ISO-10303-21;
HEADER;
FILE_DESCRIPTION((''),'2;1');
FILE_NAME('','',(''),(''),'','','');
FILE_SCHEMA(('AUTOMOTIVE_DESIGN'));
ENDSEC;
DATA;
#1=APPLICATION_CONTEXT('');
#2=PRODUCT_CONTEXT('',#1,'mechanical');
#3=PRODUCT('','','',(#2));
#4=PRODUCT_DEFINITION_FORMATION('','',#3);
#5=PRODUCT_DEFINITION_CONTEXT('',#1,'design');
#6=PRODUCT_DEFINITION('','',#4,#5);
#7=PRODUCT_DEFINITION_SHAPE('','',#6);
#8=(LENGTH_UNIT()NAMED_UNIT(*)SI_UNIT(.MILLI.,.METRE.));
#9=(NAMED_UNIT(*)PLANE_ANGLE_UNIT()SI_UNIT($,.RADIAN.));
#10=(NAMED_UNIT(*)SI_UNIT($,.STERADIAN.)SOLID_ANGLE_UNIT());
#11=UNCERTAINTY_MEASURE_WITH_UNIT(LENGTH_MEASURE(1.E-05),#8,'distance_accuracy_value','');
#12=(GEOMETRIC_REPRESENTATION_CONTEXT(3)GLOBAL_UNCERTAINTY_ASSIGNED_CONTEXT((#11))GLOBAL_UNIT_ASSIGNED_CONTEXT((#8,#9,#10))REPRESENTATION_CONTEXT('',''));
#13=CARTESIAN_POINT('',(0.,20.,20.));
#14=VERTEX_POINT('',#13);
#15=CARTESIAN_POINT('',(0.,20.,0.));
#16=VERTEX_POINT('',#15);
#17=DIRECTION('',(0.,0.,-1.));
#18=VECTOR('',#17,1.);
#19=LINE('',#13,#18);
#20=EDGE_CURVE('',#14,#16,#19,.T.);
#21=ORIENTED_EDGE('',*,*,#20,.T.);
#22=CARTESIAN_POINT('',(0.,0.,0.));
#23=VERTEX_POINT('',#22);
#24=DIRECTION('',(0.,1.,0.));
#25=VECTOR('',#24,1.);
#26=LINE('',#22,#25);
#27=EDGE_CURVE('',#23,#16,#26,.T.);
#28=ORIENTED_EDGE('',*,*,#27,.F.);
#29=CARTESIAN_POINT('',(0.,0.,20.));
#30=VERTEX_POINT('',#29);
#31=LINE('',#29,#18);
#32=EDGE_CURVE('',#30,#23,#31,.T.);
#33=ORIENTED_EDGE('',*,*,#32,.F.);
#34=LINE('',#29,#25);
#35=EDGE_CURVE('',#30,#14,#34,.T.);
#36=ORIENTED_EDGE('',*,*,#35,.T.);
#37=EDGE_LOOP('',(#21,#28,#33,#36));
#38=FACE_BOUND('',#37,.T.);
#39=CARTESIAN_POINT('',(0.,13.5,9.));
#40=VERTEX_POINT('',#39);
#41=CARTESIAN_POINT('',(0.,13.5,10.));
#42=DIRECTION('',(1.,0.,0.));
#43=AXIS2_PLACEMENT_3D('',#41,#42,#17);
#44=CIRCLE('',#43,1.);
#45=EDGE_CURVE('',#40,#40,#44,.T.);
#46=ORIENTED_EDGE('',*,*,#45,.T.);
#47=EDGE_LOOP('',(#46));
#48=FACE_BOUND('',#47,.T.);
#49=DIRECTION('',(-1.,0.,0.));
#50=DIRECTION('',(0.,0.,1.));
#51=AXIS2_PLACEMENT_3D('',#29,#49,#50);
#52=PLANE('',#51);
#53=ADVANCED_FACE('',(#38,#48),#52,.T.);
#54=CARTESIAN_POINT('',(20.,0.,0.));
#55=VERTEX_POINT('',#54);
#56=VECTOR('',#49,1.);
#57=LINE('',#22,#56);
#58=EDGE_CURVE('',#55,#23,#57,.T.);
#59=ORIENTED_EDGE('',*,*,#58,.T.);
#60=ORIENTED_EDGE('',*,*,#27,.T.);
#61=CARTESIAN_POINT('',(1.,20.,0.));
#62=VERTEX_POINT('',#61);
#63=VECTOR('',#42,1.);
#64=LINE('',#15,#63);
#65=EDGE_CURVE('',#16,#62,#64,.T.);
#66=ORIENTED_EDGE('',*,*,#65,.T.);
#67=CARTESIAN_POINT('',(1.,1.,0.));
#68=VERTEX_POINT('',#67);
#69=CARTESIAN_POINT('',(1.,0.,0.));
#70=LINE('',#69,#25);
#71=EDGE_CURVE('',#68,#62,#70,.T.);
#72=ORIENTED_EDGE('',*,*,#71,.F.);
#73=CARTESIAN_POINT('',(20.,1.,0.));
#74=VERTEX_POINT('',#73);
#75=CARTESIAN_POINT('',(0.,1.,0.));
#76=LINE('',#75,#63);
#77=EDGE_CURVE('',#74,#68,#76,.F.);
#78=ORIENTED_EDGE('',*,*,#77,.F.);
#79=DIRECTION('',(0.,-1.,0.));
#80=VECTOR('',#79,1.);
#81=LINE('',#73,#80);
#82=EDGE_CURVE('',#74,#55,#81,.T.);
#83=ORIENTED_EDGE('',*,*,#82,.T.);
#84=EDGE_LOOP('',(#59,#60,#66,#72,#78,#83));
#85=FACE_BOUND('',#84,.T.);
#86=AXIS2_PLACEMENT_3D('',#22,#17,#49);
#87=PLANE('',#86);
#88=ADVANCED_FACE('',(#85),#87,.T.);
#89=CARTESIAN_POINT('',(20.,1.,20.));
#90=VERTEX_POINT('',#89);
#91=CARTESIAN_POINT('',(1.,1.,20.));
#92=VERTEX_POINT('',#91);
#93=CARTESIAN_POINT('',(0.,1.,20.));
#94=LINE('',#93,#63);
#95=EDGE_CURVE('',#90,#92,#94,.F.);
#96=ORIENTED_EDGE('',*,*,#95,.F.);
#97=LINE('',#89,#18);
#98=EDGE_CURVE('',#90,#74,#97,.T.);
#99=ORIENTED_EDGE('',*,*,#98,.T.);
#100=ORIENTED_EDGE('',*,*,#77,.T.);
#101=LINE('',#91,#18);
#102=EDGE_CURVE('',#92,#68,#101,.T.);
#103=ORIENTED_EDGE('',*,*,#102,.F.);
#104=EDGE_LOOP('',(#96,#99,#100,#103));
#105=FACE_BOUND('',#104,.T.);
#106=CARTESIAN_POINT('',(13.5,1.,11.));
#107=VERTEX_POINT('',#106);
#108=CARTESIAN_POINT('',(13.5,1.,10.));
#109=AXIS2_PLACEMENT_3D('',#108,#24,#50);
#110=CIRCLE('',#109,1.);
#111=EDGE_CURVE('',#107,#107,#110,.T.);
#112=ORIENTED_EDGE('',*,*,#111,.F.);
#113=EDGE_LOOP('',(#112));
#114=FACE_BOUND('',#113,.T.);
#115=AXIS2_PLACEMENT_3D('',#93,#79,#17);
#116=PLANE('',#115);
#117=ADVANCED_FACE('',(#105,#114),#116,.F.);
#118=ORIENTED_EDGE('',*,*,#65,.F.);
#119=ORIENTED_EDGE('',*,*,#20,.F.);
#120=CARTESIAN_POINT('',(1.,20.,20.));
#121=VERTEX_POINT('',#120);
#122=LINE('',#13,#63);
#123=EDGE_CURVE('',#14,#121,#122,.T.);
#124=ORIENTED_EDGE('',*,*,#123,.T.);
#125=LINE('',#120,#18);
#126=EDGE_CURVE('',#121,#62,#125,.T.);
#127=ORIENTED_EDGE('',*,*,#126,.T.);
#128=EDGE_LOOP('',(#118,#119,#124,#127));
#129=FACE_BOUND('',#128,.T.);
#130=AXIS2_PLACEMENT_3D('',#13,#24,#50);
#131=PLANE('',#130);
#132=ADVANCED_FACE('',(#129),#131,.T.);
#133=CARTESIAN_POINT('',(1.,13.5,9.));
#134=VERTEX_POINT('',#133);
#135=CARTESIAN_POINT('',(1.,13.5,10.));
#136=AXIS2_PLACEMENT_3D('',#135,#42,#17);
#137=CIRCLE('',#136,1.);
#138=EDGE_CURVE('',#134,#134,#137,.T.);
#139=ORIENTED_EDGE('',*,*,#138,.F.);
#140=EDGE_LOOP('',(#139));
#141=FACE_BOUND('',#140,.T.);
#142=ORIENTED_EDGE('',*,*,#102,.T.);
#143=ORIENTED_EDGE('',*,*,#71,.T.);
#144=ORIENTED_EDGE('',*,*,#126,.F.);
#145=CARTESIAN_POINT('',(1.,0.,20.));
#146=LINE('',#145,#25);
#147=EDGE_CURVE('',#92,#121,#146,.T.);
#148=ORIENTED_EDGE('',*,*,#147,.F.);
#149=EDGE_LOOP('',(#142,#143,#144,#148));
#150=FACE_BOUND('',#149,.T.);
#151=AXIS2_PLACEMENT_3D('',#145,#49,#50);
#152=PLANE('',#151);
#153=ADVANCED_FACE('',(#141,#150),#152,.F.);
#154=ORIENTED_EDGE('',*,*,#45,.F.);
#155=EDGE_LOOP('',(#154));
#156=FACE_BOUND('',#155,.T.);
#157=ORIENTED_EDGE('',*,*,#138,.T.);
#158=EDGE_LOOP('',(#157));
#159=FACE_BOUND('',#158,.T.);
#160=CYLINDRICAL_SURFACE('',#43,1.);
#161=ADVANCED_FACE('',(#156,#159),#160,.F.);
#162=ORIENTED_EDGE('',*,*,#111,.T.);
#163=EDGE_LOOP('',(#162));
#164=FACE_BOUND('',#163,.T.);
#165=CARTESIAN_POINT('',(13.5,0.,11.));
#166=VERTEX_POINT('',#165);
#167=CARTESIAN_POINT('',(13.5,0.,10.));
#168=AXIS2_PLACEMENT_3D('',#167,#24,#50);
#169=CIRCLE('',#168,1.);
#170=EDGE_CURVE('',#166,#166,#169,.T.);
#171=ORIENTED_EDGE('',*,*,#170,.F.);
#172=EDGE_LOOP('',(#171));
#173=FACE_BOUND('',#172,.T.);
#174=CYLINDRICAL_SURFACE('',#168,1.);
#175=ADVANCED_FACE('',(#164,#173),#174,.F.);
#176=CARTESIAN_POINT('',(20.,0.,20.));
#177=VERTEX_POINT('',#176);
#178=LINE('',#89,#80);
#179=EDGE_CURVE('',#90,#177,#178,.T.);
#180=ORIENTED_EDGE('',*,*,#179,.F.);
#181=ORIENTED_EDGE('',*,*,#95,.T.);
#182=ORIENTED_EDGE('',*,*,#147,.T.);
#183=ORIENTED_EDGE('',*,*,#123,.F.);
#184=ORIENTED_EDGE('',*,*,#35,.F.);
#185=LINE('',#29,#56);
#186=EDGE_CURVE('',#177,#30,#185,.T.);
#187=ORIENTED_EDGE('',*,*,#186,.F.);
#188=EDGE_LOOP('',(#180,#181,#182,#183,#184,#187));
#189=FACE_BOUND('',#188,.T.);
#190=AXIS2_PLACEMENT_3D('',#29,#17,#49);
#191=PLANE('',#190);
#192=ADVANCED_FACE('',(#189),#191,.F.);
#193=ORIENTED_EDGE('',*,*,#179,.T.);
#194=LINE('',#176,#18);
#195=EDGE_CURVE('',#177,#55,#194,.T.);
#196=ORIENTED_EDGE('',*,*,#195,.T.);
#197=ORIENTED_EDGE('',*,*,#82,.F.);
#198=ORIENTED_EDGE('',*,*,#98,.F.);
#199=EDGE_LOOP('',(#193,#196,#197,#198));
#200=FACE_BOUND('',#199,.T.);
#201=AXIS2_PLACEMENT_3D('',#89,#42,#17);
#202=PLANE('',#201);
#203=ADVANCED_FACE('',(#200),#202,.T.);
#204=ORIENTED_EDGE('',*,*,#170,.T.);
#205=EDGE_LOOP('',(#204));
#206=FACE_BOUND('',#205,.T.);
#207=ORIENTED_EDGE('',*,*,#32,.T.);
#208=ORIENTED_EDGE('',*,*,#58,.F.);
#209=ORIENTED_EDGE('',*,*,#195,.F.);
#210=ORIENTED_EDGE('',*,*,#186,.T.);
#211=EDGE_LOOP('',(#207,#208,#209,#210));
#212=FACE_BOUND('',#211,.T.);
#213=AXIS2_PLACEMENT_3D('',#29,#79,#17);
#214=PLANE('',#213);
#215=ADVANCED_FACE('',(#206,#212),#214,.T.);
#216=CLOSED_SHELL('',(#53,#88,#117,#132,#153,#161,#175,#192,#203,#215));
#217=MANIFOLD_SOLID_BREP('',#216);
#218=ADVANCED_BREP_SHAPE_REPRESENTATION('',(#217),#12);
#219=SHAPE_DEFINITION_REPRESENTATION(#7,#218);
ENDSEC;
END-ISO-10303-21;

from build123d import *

# Parameters (mm, degrees)
EXTRU_MINCE1_DEPTH      = 20
ESQUISSE2_R             = 1
ENL_V_MAT_EXTRU_1_DEPTH = 1
ESQUISSE3_R             = 1
ENL_V_MAT_EXTRU_2_DEPTH = 1


with BuildPart() as part:
    # Esquisse1 → Extru.-Mince1 (new body)
    with BuildSketch(Plane.XY):
        Polygon((0, 20), (0, 0), (20, 0), (20, 1), (1, 1), (1, 20), align=None)
    extrude(amount=EXTRU_MINCE1_DEPTH)

    # Esquisse2 → Enlèv. mat.-Extru.1 (cut)
    with BuildSketch(Plane(origin=(1, 0, 0), x_dir=(0, 0, -1), z_dir=(1, 0, 0))):
        with Locations((-10, 13.5)):
            Circle(ESQUISSE2_R)
    extrude(amount=-ENL_V_MAT_EXTRU_1_DEPTH, mode=Mode.SUBTRACT)

    # Esquisse3 → Enlèv. mat.-Extru.2 (cut)
    with BuildSketch(Plane(origin=(0, 1, 0), x_dir=(1, 0, 0), z_dir=(0, 1, 0))):
        with Locations(Location((13.5, -10, 0), (0, 0, 270))):
            Circle(ESQUISSE3_R)
    extrude(amount=-ENL_V_MAT_EXTRU_2_DEPTH, mode=Mode.SUBTRACT)


solid = part.part
